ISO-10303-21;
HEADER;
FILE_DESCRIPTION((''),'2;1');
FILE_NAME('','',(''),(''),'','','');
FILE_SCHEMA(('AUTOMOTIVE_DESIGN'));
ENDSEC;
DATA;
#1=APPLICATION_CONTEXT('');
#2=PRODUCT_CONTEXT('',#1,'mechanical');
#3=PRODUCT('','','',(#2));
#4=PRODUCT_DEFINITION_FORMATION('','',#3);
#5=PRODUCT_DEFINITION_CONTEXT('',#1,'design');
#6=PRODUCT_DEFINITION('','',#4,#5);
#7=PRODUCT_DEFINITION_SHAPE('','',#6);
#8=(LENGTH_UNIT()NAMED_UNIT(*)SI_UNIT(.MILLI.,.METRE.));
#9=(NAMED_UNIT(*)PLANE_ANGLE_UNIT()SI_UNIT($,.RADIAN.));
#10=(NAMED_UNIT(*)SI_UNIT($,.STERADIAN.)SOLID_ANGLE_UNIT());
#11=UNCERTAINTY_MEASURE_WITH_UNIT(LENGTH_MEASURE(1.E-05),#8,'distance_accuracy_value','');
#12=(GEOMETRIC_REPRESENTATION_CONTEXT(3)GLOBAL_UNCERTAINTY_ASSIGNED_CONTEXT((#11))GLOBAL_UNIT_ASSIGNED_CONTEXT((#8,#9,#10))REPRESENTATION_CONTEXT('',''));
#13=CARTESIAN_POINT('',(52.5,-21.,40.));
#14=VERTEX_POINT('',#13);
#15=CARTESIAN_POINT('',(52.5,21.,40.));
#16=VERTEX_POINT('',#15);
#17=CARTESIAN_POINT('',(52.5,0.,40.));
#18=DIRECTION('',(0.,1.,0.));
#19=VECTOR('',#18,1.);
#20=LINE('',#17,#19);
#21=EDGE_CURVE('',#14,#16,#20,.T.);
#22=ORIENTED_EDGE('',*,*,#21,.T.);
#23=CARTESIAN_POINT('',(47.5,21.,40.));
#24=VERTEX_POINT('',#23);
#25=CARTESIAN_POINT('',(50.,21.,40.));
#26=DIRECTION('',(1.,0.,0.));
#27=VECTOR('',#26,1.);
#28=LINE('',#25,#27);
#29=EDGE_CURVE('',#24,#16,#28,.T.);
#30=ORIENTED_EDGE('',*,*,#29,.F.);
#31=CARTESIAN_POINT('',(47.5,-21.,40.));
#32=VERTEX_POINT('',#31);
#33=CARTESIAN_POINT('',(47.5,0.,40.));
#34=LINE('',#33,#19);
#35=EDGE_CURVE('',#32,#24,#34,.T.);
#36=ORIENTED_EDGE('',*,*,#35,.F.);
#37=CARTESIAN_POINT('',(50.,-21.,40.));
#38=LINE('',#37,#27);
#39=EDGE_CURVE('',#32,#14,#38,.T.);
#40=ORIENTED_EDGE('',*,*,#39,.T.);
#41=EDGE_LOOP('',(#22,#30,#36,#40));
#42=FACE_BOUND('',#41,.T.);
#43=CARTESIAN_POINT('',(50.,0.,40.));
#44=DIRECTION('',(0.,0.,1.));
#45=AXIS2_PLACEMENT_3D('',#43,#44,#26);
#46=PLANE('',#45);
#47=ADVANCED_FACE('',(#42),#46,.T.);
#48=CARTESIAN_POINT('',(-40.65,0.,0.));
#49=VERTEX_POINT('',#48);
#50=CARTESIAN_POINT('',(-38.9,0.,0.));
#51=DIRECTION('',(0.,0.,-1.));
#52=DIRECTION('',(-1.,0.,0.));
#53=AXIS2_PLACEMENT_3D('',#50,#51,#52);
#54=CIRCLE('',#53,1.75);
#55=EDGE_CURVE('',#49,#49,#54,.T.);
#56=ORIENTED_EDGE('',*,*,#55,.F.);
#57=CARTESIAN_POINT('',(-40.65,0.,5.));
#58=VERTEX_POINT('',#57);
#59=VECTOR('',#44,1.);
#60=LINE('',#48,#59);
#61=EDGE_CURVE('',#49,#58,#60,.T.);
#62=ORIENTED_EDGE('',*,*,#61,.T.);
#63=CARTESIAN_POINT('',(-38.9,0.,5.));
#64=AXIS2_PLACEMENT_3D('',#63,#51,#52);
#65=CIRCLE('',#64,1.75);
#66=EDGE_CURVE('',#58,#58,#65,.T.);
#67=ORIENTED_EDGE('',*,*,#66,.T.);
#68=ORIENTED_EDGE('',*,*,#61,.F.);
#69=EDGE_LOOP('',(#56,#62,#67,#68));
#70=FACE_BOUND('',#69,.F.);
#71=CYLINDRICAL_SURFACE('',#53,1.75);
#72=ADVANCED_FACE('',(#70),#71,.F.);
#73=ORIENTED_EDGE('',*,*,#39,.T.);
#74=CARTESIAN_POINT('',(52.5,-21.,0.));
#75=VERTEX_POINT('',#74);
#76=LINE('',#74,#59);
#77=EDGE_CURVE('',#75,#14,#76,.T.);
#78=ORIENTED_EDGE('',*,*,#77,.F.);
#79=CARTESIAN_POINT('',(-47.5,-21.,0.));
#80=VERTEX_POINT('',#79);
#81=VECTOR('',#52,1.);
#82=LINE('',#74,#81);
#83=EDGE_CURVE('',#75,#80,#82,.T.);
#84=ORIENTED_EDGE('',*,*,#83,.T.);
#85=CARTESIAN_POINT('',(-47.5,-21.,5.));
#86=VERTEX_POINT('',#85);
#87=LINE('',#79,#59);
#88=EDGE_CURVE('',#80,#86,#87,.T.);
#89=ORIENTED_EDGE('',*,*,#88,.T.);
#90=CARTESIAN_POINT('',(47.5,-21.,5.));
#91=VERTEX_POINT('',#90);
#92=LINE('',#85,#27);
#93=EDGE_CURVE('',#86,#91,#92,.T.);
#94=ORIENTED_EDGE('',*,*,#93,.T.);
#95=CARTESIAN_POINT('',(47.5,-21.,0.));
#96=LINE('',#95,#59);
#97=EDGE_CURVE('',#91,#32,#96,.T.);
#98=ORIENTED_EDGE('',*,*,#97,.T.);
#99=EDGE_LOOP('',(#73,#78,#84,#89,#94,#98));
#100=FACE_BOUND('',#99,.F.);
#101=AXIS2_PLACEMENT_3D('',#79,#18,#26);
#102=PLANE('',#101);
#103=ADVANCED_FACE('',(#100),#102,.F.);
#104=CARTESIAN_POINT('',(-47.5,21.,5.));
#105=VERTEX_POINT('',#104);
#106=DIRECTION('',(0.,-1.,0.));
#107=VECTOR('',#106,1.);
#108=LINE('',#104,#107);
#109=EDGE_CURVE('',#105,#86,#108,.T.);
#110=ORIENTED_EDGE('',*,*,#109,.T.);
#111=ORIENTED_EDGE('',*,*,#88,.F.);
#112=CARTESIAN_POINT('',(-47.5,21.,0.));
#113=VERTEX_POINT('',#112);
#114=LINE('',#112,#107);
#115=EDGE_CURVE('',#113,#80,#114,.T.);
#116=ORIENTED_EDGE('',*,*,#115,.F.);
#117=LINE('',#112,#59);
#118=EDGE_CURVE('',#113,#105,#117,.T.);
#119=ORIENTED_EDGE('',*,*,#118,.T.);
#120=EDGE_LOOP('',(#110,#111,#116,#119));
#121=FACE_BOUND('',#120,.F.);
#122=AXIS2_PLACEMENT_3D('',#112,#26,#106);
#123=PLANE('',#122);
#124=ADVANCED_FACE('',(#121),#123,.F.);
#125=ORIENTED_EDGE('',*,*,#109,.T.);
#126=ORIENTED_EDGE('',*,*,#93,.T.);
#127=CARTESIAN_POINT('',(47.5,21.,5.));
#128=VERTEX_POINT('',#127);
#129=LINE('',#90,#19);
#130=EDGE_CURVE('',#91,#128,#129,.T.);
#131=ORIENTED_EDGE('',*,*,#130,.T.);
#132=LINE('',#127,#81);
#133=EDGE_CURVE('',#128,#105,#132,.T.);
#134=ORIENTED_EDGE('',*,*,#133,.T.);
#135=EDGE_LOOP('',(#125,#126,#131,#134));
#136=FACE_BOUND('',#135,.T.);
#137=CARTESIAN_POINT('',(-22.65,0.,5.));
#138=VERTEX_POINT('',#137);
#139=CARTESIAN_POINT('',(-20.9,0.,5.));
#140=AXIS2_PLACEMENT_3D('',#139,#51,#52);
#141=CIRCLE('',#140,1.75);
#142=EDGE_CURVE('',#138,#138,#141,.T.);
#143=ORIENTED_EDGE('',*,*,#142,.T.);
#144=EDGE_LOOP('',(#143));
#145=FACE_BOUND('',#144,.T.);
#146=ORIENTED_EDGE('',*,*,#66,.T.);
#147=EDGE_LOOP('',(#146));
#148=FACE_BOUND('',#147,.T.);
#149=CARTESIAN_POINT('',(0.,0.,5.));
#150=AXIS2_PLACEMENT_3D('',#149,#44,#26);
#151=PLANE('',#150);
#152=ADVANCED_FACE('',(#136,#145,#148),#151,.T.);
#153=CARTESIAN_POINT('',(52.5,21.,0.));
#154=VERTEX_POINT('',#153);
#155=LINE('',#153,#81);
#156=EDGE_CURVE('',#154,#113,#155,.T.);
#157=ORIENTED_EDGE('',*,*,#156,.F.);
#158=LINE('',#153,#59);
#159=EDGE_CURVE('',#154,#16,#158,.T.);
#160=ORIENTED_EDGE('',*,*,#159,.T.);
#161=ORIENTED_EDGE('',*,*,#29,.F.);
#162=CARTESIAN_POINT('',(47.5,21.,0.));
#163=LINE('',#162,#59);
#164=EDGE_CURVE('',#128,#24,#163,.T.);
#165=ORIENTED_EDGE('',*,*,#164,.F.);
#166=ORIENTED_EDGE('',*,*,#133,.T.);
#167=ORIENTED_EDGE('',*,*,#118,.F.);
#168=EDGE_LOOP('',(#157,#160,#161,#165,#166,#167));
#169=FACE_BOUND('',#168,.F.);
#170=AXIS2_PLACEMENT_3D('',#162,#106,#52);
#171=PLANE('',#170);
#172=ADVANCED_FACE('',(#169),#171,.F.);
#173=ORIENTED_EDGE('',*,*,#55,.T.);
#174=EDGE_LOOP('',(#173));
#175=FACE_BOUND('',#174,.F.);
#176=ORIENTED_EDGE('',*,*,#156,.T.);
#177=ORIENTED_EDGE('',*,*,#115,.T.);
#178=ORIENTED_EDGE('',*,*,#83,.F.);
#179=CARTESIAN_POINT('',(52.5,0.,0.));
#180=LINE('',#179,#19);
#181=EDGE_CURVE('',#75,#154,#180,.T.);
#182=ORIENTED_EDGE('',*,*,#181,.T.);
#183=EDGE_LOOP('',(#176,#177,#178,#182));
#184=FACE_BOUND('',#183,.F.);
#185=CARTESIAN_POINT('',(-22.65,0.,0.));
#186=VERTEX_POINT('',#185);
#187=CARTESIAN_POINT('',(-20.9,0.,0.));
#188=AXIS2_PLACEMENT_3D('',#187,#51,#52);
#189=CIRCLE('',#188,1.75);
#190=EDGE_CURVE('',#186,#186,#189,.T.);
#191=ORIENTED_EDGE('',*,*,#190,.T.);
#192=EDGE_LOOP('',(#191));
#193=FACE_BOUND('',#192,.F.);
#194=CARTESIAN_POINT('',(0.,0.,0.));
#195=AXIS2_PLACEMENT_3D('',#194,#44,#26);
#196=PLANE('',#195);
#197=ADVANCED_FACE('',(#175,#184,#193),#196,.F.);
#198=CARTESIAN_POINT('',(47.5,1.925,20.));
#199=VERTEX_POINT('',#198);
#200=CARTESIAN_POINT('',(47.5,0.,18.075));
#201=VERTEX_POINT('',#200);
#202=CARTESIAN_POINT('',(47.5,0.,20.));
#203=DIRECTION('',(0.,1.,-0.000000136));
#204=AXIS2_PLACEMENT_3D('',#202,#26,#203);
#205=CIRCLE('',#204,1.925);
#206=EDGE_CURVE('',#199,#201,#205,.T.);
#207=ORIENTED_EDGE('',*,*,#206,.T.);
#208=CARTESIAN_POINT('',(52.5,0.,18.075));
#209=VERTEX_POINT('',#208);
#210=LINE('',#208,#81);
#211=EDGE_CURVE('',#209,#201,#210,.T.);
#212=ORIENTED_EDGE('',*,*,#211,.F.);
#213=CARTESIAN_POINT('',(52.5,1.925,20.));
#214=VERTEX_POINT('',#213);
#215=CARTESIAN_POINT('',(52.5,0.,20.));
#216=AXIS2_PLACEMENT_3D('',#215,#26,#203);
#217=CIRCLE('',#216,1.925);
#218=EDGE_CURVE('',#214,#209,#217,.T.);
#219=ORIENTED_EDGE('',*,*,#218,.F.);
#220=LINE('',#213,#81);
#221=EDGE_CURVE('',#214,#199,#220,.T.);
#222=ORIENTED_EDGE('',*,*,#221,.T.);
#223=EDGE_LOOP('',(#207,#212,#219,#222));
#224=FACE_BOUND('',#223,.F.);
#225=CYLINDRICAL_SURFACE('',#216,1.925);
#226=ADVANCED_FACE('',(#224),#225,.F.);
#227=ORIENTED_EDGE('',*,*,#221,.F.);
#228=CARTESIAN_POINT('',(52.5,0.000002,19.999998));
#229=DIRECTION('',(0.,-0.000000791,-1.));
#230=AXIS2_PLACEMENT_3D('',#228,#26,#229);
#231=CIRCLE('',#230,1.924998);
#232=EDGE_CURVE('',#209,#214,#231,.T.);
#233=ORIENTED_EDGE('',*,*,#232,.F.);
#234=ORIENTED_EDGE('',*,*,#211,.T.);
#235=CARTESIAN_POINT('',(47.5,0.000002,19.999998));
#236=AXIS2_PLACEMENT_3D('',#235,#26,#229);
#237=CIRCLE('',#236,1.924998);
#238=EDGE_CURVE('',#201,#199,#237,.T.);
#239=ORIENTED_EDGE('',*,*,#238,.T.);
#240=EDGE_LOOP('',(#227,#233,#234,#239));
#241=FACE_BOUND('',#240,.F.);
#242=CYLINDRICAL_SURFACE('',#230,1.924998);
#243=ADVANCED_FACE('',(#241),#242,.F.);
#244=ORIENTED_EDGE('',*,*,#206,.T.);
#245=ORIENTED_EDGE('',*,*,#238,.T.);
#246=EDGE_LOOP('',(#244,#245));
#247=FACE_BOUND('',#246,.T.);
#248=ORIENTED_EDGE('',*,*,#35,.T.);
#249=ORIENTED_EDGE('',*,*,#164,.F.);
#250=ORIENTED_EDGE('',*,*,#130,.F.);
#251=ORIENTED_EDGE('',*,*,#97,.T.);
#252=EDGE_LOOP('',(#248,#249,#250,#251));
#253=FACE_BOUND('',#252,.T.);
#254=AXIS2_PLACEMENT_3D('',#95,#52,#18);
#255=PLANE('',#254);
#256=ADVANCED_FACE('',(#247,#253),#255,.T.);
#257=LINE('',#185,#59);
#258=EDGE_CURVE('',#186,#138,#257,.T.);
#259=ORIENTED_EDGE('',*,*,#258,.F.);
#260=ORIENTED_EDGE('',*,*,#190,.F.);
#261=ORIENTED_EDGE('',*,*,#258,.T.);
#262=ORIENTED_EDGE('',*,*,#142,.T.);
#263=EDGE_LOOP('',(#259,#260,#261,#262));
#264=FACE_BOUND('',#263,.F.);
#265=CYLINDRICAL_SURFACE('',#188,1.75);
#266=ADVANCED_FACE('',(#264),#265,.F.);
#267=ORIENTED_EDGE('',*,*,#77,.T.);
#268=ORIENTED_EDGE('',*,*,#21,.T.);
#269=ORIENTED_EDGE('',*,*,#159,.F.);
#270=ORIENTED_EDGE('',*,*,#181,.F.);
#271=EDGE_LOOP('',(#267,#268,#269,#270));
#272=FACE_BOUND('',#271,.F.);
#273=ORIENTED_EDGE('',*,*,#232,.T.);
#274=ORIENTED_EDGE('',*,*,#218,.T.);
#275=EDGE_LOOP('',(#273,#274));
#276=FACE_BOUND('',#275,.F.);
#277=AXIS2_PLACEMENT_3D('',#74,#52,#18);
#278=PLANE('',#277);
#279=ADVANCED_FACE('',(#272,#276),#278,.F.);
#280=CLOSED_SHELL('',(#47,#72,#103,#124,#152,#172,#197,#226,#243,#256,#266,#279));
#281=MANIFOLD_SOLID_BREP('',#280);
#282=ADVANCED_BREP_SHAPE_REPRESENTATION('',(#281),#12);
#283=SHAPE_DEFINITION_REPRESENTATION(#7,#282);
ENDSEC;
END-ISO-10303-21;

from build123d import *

# Parameters (mm, degrees)
F0_W     = 5
F0_H     = 42
F1_DEPTH = 40
F2_DEPTH = 5
F4_DEPTH = 5


with BuildPart() as f1:
    # F0 (on Top) → F1 (new body)
    with BuildSketch(Plane.XY):
        with Locations((50, 0)):
            Rectangle(F0_W, F0_H)
    extrude(amount=F1_DEPTH)

    # F0 (on Top) → F2 (join)
    with BuildSketch(Plane.XY):
        Polygon((47.5, 21), (-47.5, 21), (-47.5, 0), (-47.5, -21), (47.5, -21), align=None)
        with BuildLine():
            ThreePointArc((-37.15, 0), (-38.9, -1.75), (-40.65, 0))
            ThreePointArc((-40.65, 0), (-38.9, 1.75), (-37.15, 0))
        make_face(mode=Mode.SUBTRACT)
        with BuildLine():
            ThreePointArc((-19.15, 0), (-20.9, -1.75), (-22.65, 0))
            ThreePointArc((-22.65, 0), (-20.9, 1.75), (-19.15, 0))
        make_face(mode=Mode.SUBTRACT)
    extrude(amount=F2_DEPTH)

    # F3 (on face) → F4 (cut)
    with BuildSketch(Plane.YZ.offset(52.5)):
        with BuildLine():
            ThreePointArc((1.925, 20), (-1.361181, 21.361181), (0, 18.075))
            ThreePointArc((0, 18.075), (1.361181, 18.638819), (1.925, 20))
        make_face()
    extrude(amount=-F4_DEPTH, mode=Mode.SUBTRACT)


solid = f1.part
